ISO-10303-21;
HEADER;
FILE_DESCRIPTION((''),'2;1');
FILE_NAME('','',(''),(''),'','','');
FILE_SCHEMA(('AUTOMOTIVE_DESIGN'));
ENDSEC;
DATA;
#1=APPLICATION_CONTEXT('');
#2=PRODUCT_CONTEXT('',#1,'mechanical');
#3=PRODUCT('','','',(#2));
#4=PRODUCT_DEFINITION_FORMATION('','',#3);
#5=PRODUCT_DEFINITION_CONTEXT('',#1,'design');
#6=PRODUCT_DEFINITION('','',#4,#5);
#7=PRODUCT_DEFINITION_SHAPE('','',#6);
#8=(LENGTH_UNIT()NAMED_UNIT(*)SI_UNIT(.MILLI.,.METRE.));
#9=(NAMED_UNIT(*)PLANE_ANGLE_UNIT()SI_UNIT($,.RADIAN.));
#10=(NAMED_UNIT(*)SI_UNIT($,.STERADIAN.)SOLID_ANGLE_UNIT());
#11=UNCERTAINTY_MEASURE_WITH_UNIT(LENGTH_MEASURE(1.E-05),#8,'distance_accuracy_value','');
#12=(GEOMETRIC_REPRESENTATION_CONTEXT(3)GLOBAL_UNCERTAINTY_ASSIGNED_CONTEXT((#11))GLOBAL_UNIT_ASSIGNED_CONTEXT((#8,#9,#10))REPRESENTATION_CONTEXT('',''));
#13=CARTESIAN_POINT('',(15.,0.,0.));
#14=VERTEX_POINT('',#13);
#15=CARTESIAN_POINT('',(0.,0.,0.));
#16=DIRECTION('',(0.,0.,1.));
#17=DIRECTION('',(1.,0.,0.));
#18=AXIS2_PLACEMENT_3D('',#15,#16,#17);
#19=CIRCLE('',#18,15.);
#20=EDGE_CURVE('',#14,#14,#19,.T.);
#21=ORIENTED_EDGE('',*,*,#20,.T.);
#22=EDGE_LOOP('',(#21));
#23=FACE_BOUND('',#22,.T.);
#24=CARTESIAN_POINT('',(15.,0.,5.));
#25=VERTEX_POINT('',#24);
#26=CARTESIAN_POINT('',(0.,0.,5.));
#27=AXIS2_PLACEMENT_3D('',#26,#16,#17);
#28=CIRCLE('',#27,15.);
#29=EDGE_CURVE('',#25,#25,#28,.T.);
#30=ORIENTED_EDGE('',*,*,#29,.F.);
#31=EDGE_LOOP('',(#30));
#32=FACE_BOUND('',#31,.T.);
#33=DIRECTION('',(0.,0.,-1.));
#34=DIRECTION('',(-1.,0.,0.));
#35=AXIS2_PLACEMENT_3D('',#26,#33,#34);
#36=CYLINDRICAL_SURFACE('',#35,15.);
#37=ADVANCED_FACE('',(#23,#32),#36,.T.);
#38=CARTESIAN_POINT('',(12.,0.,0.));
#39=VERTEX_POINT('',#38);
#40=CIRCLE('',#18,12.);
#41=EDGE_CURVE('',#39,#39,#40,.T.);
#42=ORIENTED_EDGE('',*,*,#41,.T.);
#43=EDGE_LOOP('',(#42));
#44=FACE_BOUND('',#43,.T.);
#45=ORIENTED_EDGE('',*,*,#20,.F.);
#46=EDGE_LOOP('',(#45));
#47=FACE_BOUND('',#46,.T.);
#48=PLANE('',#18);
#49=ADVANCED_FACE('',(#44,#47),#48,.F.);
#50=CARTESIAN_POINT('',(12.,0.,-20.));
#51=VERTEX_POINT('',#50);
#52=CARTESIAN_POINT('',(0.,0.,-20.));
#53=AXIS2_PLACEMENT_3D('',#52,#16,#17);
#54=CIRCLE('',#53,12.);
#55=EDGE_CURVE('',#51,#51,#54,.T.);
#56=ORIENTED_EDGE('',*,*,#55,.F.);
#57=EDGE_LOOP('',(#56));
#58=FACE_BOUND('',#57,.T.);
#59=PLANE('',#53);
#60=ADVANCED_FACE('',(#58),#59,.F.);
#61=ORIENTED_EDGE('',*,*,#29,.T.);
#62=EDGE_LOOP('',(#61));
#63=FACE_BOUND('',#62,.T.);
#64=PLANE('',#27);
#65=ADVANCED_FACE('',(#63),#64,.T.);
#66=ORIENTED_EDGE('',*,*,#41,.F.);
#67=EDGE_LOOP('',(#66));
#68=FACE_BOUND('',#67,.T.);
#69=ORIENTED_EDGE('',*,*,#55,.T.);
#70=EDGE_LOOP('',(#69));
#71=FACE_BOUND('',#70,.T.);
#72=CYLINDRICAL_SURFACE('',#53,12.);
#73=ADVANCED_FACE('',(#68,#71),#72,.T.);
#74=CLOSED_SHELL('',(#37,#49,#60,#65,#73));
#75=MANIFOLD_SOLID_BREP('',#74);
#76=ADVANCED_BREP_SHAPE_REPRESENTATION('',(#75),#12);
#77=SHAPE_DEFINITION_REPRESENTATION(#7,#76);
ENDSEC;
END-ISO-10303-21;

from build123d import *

# Parameters (mm, degrees)
SKETCH1_R           = 15
SKETCH1_R_2         = 12
BOSS_EXTRUDE1_DEPTH = 5
BOSS_EXTRUDE2_START = -25
SKETCH2_R           = 12
BOSS_EXTRUDE2_DEPTH = 25


with BuildPart() as part:
    # Sketch1 → Boss-Extrude1 (new body)
    with BuildSketch(Plane.XY):
        Circle(SKETCH1_R)
        Circle(SKETCH1_R_2, mode=Mode.SUBTRACT)
    extrude(amount=BOSS_EXTRUDE1_DEPTH)

    # Sketch2 → Boss-Extrude2 (add)
    with BuildSketch(Plane.XY.offset(5).offset(BOSS_EXTRUDE2_START)):
        Circle(SKETCH2_R)
    extrude(amount=BOSS_EXTRUDE2_DEPTH)


solid = part.part
